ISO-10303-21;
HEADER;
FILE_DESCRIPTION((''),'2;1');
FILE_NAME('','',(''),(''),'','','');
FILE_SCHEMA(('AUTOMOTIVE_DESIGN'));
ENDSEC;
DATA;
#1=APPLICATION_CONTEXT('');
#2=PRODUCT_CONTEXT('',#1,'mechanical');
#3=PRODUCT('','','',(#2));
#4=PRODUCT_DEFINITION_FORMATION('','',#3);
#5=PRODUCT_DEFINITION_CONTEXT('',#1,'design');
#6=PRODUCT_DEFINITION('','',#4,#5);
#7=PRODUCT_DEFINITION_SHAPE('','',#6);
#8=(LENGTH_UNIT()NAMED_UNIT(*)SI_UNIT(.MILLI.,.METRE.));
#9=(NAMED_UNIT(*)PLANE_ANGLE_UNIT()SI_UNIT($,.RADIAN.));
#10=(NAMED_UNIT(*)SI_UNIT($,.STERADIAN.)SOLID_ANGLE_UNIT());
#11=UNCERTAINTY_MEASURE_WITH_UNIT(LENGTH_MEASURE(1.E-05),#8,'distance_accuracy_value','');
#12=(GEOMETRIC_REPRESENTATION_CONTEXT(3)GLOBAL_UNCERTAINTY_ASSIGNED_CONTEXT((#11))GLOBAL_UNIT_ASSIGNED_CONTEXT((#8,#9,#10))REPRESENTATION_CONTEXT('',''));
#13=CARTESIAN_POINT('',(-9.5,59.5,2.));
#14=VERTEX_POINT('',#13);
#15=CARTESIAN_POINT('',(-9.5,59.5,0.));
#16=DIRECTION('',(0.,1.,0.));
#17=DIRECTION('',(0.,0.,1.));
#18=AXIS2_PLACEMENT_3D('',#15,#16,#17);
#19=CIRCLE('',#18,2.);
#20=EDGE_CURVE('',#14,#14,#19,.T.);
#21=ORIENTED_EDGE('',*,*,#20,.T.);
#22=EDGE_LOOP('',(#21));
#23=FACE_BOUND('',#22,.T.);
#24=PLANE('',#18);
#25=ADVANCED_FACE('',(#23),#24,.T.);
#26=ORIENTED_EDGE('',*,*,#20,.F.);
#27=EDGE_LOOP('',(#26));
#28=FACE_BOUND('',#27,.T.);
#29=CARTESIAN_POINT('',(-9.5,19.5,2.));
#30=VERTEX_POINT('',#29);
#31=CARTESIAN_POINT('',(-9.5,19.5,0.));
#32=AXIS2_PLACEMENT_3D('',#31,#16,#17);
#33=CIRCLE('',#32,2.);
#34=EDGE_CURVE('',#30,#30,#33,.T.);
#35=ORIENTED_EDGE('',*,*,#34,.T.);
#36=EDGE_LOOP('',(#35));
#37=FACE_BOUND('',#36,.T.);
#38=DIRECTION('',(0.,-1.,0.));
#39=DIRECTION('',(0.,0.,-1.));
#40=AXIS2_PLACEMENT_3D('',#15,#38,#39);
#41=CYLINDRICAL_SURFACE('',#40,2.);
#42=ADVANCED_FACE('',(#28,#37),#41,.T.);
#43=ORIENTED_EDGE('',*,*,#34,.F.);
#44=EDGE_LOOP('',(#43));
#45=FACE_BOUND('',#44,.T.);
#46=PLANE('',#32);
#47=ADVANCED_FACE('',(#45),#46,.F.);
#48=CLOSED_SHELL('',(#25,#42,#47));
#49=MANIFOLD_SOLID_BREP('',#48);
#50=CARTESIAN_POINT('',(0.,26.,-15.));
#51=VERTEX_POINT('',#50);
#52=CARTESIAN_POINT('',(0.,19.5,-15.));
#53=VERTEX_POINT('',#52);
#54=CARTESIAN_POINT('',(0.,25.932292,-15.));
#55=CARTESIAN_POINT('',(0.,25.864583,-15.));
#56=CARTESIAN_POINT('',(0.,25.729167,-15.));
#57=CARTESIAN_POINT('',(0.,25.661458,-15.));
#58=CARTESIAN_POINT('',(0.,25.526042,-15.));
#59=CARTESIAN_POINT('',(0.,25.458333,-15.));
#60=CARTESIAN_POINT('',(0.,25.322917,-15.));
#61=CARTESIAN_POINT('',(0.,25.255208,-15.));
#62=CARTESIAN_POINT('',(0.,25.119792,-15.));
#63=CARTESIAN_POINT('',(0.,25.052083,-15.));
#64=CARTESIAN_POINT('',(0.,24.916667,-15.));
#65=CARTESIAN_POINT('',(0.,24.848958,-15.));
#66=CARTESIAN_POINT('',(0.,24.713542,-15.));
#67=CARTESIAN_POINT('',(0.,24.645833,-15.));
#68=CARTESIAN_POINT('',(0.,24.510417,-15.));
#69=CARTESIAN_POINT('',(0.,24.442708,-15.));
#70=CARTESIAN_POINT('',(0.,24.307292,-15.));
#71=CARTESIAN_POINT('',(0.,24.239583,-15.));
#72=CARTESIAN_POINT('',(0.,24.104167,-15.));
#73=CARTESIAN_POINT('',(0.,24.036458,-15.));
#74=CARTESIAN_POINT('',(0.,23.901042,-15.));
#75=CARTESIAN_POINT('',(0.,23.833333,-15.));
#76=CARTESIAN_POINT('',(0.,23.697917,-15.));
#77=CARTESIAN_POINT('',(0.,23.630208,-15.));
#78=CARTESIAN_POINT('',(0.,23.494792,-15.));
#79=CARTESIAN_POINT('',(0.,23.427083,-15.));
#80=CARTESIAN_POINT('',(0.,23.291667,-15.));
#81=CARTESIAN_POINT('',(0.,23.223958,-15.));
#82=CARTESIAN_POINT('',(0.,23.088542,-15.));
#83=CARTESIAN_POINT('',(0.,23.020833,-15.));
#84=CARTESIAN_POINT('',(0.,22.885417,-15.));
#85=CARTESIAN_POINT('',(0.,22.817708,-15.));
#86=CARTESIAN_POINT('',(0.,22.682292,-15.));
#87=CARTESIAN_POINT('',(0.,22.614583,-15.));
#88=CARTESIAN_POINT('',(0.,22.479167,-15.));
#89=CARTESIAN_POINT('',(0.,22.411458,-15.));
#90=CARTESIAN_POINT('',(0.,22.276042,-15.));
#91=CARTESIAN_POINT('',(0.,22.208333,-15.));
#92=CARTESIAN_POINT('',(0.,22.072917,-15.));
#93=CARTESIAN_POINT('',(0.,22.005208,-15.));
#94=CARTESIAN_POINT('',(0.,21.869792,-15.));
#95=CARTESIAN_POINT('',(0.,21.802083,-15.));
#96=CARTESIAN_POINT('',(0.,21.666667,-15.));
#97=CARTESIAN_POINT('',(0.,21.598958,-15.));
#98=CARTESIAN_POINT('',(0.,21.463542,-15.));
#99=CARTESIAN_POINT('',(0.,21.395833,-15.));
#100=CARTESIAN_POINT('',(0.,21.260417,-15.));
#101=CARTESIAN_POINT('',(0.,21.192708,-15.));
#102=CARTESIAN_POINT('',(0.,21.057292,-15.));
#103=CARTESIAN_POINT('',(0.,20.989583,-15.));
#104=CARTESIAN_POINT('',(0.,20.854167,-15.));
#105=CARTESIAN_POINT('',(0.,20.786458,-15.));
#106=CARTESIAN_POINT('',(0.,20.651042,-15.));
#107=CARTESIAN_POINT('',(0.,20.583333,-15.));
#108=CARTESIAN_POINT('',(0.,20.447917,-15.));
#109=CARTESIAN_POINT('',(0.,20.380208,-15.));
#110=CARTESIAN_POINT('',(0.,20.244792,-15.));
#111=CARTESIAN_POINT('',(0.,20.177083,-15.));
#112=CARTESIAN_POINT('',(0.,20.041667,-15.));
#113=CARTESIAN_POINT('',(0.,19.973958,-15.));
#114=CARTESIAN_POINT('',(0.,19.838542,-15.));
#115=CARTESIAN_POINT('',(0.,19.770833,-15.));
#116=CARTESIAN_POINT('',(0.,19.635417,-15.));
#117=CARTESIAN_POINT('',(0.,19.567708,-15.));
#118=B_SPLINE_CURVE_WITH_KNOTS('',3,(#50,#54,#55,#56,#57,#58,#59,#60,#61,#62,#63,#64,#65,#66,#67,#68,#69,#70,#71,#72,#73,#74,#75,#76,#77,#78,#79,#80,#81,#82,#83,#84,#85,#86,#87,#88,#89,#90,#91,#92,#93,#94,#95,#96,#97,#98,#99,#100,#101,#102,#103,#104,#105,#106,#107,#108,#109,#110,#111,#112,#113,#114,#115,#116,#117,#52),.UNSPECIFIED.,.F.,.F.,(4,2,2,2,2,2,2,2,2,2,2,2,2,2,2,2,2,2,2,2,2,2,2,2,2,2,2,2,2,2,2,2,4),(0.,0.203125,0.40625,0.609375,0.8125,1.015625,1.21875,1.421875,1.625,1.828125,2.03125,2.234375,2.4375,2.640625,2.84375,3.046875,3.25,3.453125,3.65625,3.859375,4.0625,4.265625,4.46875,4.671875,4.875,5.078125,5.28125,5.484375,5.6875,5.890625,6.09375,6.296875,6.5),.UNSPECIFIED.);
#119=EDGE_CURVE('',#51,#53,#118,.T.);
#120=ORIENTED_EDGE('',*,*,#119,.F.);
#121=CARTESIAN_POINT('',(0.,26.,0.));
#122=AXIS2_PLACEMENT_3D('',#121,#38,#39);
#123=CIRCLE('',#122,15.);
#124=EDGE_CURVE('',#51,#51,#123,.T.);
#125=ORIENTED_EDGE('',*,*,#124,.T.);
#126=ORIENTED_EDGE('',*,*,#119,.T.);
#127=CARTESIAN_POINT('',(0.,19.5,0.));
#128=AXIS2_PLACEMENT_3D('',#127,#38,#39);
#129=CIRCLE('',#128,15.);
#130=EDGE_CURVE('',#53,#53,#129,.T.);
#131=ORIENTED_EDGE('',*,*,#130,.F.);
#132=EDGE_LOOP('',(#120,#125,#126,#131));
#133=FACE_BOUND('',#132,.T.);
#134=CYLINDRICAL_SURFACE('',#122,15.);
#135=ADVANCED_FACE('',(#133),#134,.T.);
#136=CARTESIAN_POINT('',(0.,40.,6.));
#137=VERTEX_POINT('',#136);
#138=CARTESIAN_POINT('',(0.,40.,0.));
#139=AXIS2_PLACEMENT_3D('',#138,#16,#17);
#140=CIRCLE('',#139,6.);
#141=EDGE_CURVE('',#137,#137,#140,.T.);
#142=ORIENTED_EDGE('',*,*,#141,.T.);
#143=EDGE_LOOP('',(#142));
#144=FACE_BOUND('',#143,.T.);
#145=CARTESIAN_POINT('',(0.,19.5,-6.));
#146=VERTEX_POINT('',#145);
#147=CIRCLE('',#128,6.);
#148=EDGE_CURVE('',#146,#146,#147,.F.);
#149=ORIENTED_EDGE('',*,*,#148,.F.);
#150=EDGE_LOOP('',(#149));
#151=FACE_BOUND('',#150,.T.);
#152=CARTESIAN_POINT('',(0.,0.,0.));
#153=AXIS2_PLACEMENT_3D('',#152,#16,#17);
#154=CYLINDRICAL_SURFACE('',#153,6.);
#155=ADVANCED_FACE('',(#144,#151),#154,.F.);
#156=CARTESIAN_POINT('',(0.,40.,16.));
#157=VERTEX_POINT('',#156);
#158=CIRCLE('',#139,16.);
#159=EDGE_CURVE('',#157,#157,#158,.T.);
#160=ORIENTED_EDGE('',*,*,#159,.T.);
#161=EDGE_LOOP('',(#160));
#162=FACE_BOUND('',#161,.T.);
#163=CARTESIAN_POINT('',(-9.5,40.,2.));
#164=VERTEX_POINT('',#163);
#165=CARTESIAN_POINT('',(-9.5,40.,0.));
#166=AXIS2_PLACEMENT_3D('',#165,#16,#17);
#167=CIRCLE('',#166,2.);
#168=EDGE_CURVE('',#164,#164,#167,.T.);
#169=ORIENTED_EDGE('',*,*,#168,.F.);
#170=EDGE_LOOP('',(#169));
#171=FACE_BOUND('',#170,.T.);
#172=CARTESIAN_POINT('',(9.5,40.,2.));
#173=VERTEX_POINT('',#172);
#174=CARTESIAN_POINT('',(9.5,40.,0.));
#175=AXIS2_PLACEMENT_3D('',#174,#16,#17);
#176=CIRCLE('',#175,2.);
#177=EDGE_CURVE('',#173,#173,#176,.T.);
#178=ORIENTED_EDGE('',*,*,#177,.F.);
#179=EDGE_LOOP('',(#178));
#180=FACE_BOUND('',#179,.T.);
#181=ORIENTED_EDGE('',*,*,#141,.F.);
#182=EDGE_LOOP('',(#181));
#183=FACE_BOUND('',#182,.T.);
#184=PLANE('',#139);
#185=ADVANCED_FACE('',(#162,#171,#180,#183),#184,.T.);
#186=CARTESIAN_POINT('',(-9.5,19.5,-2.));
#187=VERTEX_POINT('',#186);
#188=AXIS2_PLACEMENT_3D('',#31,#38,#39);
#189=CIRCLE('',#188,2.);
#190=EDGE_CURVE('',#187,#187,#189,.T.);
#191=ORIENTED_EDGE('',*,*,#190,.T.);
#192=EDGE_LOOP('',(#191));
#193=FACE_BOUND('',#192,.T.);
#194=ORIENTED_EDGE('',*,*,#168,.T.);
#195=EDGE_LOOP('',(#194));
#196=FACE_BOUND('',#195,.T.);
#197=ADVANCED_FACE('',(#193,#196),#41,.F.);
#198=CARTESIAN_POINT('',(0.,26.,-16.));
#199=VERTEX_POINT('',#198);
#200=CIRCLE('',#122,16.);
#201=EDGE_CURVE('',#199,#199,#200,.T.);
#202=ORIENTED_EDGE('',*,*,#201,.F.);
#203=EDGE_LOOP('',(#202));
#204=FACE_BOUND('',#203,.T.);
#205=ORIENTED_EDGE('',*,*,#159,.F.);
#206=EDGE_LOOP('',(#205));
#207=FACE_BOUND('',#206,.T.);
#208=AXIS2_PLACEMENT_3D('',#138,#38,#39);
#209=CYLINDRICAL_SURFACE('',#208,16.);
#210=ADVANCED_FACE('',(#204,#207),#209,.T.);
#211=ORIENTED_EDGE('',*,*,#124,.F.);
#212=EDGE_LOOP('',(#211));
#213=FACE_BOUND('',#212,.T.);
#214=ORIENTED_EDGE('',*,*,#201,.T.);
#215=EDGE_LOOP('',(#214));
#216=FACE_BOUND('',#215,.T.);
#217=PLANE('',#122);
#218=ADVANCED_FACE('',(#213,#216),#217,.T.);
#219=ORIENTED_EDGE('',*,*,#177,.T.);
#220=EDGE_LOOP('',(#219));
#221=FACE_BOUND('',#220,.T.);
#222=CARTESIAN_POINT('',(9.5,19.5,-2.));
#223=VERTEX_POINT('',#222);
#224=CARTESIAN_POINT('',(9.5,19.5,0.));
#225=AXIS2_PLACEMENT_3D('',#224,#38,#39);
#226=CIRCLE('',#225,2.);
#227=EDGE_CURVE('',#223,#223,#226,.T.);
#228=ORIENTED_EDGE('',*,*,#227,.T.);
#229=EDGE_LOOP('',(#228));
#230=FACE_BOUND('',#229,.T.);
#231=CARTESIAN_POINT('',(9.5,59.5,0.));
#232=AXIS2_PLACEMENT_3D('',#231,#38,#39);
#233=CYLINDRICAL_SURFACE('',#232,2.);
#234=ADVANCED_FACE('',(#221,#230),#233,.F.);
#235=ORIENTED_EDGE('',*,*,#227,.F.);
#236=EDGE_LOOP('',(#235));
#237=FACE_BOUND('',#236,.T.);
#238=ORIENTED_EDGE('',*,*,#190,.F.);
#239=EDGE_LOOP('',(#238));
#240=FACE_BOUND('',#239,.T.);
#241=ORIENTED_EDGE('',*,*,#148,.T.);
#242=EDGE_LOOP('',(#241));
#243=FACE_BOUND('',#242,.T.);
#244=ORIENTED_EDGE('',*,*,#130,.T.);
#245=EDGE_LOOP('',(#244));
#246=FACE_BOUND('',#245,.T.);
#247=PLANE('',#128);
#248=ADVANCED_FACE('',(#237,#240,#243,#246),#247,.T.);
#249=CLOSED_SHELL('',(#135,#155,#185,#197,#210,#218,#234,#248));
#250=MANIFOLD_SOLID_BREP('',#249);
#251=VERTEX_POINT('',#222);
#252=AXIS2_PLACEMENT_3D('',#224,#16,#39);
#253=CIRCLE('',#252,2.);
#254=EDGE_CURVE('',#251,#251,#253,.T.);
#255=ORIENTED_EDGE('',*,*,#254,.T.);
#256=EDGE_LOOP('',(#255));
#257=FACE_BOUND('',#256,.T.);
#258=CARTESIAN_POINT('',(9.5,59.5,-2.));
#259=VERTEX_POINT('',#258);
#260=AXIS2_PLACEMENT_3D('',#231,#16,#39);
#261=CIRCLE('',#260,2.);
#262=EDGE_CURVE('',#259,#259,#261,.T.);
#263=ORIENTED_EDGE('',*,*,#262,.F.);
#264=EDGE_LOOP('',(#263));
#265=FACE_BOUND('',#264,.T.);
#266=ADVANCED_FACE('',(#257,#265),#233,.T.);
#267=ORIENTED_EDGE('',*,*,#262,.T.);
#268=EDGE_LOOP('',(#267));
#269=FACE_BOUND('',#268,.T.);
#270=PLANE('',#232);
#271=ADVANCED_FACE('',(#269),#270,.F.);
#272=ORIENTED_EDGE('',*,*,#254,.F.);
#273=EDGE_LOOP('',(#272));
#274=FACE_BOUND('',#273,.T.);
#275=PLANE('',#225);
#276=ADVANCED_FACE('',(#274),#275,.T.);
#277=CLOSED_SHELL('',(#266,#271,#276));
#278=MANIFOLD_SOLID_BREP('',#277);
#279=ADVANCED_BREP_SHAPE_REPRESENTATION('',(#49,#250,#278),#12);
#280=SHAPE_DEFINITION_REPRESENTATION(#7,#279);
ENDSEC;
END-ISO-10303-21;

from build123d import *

# Parameters (mm, degrees)
SKETCH1_R             = 16
BOSS_EXTRUDE1_DEPTH   = 40
SKETCH2_R             = 6
CUT_EXTRUDE1_DEPTH    = 46.956501172
SKETCH4_R             = 20
SKETCH4_R_2           = 15
CUT_EXTRUDE2_DEPTH    = 26
SKETCH5_R             = 15
CUT_EXTRUDE3_DEPTH    = 19.5
SKETCH3_R             = 2
BOSS_EXTRUDE2_DEPTH   = 40
BOSS_EXTRUDE2_2_DEPTH = 40
SKETCH7_R             = 2
CUT_EXTRUDE5_DEPTH    = 64.657285522


with BuildPart() as part:
    # Sketch1 → Boss-Extrude1 (new body)
    with BuildSketch(Plane(origin=(0, 0, 0), x_dir=(1, 0, 0), z_dir=(0, 1, 0))):
        with Locations(Location((0, 0, 0), (0, 0, 270))):
            Circle(SKETCH1_R)
    extrude(amount=BOSS_EXTRUDE1_DEPTH)

    # Sketch2 → Cut-Extrude1 (cut, through all)
    with BuildSketch(Plane(origin=(0, 40, 0), x_dir=(1, 0, 0), z_dir=(0, 1, 0))):
        with Locations(Location((0, 0, 0), (0, 0, 270))):
            Circle(SKETCH2_R)
    extrude(amount=-CUT_EXTRUDE1_DEPTH, mode=Mode.SUBTRACT)

    # Sketch4 → Cut-Extrude2 (cut)
    with BuildSketch(Plane(origin=(0, 0, 0), x_dir=(-1, 0, 0), z_dir=(0, -1, 0))):
        Circle(SKETCH4_R)
        with Locations(Location((0, 0, 0), (0, 0, 90))):
            Circle(SKETCH4_R_2, mode=Mode.SUBTRACT)
    extrude(amount=-CUT_EXTRUDE2_DEPTH, mode=Mode.SUBTRACT)

    # Sketch5 → Cut-Extrude3 (cut)
    with BuildSketch(Plane.XZ):
        with Locations(Location((0, 0, 0), (0, 0, 270))):
            Circle(SKETCH5_R)
    extrude(amount=-CUT_EXTRUDE3_DEPTH, mode=Mode.SUBTRACT)

    # Sketch7 → Cut-Extrude5 (cut, through all)
    with BuildSketch(Plane(origin=(0, 0, 0), x_dir=(-1, 0, 0), z_dir=(0, -1, 0))):
        with Locations(Location((9.5, 0, 0), (0, 0, 270))):
            Circle(SKETCH7_R)
        with Locations(Location((-9.5, 0, 0), (0, 0, 90))):
            Circle(SKETCH7_R)
    extrude(amount=-CUT_EXTRUDE5_DEPTH, mode=Mode.SUBTRACT)


with BuildPart() as body_2:
    # Sketch3 → Boss-Extrude2 (new body)
    with BuildSketch(Plane(origin=(0, 19.5, 0), x_dir=(1, 0, 0), z_dir=(0, 1, 0))):
        with Locations(Location((-9.5, 0, 0), (0, 0, 270))):
            Circle(SKETCH3_R)
    extrude(amount=BOSS_EXTRUDE2_DEPTH)


with BuildPart() as body_3:
    # Sketch3 → Boss-Extrude2 2 (new body)
    with BuildSketch(Plane(origin=(0, 19.5, 0), x_dir=(1, 0, 0), z_dir=(0, 1, 0))):
        with Locations(Location((9.5, 0, 0), (0, 0, 90))):
            Circle(SKETCH3_R)
    extrude(amount=BOSS_EXTRUDE2_2_DEPTH)


solid = Compound([part.part, body_2.part, body_3.part])
